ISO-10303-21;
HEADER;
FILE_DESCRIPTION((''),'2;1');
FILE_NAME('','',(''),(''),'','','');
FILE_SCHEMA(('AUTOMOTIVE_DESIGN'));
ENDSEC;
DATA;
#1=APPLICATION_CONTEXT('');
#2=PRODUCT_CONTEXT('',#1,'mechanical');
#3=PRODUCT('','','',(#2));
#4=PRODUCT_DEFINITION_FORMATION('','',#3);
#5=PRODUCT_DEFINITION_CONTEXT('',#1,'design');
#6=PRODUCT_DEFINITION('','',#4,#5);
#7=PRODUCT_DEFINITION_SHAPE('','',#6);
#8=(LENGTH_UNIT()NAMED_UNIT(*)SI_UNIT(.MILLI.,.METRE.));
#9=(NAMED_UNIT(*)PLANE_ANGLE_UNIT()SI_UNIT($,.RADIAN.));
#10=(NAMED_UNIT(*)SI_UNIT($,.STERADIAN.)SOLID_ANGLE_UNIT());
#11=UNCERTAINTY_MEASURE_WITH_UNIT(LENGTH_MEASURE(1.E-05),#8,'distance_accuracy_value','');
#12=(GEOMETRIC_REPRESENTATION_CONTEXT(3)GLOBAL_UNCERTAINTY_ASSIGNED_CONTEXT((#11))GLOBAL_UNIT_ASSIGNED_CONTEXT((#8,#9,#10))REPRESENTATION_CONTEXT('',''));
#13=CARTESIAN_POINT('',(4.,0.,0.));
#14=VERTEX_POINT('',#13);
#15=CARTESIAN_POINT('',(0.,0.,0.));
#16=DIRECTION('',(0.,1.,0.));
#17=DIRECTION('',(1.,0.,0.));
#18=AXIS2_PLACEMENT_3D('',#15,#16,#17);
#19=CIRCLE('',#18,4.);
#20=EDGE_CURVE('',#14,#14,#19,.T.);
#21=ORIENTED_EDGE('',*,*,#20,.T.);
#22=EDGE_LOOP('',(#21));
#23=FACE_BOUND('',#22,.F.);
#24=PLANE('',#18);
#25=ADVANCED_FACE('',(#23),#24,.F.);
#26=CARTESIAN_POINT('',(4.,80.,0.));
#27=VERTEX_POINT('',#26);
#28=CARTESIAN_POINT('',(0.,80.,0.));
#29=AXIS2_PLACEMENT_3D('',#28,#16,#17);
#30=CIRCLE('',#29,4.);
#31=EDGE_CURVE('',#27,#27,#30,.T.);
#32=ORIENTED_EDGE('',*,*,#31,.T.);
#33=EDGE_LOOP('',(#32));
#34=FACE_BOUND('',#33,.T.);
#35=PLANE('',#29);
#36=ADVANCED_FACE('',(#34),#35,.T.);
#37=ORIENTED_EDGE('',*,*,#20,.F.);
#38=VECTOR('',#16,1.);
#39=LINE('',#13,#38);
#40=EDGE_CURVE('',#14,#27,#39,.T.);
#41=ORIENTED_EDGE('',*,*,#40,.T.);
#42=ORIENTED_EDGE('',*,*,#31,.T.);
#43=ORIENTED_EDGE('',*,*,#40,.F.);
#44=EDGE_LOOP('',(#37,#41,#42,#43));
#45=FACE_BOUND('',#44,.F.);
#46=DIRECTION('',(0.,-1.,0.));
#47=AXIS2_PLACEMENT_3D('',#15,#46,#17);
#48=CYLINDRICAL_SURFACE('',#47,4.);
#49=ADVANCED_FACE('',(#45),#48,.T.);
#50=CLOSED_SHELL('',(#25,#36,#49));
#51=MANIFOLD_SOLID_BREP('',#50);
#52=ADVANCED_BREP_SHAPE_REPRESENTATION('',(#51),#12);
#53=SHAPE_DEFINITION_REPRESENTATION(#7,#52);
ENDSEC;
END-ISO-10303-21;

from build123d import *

# Parameters (mm, degrees)
CROQUIS1_R              = 4
SALIENTE_EXTRUIR1_DEPTH = 80


with BuildPart() as part:
    # Croquis1 → Saliente-Extruir1 (new body)
    with BuildSketch(Plane(origin=(0, 0, 0), x_dir=(1, 0, 0), z_dir=(0, 1, 0))):
        Circle(CROQUIS1_R)
    extrude(amount=SALIENTE_EXTRUIR1_DEPTH)


solid = part.part
